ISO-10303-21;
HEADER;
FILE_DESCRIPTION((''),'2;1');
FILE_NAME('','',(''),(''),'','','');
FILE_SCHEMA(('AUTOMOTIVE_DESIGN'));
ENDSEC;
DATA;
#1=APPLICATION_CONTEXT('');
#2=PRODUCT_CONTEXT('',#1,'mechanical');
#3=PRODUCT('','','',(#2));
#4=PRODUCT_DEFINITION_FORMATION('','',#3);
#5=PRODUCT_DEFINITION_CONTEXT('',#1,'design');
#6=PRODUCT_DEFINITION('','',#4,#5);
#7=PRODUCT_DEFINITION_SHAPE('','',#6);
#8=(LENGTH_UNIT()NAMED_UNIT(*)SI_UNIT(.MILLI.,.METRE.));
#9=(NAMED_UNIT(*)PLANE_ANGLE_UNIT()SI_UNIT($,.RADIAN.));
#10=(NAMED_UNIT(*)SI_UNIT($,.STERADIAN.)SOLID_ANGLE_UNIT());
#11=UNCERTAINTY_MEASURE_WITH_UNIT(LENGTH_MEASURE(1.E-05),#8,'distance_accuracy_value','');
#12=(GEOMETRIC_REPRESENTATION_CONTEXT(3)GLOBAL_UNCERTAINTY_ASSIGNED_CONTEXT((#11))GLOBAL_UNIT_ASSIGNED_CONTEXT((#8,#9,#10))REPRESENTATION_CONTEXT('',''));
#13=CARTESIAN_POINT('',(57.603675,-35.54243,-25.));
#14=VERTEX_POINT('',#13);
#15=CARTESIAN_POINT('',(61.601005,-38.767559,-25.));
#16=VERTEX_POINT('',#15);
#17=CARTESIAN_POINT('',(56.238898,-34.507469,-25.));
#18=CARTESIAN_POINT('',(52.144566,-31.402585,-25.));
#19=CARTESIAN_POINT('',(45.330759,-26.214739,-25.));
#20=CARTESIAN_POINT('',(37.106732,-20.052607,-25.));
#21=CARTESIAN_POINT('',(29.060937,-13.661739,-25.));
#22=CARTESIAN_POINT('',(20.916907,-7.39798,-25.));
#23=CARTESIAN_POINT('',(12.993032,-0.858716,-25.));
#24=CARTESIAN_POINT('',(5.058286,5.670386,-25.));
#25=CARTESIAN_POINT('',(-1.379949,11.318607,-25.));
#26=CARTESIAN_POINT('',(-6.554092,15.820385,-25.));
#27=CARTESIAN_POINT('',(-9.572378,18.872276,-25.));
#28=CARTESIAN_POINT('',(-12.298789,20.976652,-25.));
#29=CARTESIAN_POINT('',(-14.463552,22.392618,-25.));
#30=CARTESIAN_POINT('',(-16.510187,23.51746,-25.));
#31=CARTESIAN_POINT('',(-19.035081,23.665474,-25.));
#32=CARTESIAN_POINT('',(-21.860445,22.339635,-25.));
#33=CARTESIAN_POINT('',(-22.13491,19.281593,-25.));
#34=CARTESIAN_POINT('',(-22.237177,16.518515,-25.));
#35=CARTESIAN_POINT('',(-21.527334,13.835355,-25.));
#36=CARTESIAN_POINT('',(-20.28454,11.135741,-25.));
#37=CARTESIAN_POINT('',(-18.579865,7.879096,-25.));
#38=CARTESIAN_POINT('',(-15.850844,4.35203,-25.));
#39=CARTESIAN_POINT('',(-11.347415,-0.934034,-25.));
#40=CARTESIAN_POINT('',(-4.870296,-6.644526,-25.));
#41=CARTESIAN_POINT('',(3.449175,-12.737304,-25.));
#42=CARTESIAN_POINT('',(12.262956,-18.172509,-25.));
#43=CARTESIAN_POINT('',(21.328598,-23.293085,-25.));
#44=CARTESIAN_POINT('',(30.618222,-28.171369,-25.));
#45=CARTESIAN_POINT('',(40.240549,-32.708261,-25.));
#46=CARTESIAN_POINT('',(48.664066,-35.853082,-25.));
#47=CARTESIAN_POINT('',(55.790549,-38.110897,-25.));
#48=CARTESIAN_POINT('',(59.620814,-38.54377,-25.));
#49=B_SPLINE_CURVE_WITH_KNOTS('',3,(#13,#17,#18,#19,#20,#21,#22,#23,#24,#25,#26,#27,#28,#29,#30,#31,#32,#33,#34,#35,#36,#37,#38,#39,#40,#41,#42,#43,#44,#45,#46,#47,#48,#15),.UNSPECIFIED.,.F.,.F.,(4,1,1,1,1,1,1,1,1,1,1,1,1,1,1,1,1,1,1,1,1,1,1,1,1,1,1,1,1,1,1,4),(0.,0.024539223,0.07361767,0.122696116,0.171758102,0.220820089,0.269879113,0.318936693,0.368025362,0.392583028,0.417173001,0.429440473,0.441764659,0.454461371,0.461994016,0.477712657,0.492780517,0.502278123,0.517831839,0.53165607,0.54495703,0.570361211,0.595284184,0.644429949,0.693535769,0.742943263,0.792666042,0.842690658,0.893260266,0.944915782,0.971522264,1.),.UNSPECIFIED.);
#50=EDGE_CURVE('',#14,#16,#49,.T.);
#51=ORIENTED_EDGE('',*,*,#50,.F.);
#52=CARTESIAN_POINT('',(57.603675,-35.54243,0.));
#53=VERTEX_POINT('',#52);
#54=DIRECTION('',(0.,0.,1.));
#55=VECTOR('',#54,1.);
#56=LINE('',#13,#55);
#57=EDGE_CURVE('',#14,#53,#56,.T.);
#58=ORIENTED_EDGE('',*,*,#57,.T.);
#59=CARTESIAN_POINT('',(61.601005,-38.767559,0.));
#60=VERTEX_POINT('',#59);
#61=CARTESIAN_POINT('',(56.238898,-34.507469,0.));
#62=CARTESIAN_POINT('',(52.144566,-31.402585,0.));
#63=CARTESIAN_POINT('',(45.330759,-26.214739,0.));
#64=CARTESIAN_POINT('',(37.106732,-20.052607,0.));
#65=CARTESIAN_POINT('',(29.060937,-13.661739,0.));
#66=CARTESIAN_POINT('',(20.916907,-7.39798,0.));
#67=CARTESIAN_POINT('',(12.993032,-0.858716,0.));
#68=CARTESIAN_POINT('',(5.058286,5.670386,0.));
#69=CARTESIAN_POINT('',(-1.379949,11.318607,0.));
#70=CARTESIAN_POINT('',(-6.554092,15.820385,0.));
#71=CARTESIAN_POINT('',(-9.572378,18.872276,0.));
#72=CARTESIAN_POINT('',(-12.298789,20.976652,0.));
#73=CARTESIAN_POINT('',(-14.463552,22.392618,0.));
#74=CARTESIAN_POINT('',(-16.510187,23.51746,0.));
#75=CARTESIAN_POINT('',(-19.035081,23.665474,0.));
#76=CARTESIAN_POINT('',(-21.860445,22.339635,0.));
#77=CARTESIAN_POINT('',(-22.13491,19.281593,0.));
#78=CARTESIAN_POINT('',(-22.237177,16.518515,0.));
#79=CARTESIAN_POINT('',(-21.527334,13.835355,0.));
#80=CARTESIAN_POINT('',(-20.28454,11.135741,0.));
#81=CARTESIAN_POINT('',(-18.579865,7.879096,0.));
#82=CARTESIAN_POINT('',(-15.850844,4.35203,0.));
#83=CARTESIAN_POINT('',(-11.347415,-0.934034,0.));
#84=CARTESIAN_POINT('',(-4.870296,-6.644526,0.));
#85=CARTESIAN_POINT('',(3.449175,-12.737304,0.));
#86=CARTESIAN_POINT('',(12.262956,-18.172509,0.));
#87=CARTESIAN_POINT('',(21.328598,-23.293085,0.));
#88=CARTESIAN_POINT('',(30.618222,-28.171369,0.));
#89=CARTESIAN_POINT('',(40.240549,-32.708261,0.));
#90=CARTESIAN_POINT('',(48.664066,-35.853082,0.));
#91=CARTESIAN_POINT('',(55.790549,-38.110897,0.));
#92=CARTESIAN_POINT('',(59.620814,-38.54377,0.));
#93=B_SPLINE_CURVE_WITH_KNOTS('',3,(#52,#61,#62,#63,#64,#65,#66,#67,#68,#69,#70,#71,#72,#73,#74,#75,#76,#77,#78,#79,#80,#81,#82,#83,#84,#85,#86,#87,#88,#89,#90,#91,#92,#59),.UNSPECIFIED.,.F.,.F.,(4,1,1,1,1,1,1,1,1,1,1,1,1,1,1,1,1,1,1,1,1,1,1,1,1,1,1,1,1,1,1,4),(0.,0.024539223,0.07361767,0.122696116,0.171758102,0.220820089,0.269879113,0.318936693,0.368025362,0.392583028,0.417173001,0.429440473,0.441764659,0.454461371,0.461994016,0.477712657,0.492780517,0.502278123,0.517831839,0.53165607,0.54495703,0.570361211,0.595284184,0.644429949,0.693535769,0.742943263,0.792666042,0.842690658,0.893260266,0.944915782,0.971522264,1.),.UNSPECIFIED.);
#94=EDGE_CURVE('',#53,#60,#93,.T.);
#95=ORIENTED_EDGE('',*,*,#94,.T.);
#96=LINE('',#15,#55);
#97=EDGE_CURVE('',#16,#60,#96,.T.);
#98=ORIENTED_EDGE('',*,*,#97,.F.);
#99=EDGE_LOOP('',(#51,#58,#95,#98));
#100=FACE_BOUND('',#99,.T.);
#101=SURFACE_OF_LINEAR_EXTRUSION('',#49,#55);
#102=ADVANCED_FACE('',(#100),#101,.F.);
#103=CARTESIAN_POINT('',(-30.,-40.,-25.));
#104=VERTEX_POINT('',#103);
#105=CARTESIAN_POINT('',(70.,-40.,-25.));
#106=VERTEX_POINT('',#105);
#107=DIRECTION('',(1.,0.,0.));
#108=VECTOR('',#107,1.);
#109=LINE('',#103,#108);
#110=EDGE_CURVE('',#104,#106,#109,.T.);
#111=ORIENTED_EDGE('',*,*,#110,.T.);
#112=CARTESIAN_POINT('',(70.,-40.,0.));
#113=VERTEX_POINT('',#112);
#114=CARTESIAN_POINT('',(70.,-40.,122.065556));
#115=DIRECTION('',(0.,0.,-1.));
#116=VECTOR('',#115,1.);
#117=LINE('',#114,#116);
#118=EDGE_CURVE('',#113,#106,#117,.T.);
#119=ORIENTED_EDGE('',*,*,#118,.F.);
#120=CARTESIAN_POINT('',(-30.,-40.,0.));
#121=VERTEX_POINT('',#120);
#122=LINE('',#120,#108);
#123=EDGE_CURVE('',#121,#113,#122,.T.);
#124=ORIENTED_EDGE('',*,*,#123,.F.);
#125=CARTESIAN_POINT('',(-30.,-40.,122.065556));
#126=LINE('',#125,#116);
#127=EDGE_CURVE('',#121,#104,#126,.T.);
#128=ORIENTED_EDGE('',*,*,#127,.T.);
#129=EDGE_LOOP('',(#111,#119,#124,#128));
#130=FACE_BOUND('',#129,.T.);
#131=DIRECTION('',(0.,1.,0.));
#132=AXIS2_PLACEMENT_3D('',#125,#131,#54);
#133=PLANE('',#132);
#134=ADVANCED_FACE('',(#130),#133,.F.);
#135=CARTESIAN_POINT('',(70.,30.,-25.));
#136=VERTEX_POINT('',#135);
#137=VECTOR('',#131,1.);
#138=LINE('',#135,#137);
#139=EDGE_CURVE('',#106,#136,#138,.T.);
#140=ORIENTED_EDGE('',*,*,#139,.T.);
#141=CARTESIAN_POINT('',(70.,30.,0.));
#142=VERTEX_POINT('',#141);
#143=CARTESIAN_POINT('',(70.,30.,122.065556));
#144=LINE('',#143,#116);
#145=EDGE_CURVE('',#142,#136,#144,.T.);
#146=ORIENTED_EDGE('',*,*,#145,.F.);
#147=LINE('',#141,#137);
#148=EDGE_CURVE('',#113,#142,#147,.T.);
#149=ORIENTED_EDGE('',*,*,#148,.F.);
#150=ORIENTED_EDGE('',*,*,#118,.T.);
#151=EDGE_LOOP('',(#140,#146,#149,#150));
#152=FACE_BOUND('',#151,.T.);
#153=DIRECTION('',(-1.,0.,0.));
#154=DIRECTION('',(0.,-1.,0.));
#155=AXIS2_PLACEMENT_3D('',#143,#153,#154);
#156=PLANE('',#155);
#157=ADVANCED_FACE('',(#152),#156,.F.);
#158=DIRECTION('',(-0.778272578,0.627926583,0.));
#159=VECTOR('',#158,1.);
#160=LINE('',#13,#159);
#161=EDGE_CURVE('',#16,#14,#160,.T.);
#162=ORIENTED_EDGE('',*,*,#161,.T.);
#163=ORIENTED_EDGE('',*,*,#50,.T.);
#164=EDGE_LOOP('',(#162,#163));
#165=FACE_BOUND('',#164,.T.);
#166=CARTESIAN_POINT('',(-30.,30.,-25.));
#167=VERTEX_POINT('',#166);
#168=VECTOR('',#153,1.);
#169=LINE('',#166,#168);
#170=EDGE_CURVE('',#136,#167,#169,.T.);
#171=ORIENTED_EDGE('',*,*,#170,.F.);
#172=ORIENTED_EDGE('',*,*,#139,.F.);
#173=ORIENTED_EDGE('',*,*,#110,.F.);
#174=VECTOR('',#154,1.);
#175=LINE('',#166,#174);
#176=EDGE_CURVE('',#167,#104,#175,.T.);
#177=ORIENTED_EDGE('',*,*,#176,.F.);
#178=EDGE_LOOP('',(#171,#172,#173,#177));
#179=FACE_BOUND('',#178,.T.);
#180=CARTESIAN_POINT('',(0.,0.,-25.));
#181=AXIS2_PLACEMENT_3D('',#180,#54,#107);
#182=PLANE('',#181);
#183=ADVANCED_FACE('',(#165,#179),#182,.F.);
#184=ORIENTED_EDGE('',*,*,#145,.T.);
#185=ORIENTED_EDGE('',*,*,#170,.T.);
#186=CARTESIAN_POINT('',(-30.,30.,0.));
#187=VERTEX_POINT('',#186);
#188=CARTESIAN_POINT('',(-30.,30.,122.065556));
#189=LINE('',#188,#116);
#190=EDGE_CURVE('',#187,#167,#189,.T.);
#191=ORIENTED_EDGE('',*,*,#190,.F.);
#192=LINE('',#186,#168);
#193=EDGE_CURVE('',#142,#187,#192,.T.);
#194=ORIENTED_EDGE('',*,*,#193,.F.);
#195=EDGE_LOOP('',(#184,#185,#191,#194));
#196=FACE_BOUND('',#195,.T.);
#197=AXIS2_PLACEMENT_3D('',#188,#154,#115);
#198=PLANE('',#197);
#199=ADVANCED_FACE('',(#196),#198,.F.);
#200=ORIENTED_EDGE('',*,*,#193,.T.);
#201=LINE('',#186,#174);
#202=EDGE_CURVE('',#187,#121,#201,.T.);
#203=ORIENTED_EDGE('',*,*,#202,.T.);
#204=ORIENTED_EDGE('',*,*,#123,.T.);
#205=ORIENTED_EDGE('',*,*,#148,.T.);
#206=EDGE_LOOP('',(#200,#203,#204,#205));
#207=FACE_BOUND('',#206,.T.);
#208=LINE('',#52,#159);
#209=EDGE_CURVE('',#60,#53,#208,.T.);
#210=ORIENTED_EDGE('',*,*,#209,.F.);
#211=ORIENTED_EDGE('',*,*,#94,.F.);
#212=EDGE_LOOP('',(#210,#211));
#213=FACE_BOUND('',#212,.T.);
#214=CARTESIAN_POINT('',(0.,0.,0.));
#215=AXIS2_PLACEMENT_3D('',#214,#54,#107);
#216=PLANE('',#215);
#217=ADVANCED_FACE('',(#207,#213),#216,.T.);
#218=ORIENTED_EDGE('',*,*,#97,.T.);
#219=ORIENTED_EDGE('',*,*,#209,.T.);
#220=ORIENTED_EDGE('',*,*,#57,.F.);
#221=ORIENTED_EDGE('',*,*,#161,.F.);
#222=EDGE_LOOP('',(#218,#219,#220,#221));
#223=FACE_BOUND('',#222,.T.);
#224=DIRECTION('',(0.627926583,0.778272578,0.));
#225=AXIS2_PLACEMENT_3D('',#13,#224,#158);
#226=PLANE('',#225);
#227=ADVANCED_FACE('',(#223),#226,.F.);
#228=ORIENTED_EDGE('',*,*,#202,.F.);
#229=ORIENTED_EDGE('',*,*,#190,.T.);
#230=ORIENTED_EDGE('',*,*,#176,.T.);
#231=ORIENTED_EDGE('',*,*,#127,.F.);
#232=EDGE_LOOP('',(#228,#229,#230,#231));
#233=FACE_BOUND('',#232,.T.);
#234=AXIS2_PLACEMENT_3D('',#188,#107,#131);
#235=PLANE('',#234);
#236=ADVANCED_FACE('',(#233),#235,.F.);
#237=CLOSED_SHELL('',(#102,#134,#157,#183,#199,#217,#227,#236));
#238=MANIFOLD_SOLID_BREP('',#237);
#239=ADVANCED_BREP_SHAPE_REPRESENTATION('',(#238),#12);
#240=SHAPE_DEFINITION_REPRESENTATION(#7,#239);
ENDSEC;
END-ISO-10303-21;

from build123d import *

# Parameters (mm, degrees)
SKICA3_W                 = 100
SKICA3_H                 = 70
P_IDAT_VYSUNUT_M1_DEPTH  = 25
ODEBRAT_VYSUNUT_M1_DEPTH = 85.409715081


with BuildPart() as part:
    # Skica3 → Přidat vysunutím1 (new body)
    with BuildSketch(Plane.XY.offset(-25)):
        with Locations((20, -5)):
            Rectangle(SKICA3_W, SKICA3_H)
    extrude(amount=P_IDAT_VYSUNUT_M1_DEPTH)

    # Skica1 → Odebrat vysunutím1 (cut, through all)
    with BuildSketch(Plane.XY):
        with BuildLine():
            Line((57.603675006, -35.542429999), (61.601004522, -38.767559005))
            add(Edge.make_bspline(
                [(57.603675006, -35.542429999), (56.238897792, -34.507468829), (52.144566151, -31.40258532), (45.330758501, -26.214738829), (37.106732423, -20.052607104), (29.060936616, -13.661738815), (20.916906734, -7.397980405), (12.993032352, -0.858716209), (5.05828581, 5.670386092), (-1.379948759, 11.318607109), (-6.554091766, 15.8203852), (-9.572378051, 18.8722758), (-12.298789196, 20.976651583), (-14.463551955, 22.392617727), (-16.510186542, 23.517460462), (-19.035080799, 23.66547359), (-21.8604449, 22.339635175), (-22.134910017, 19.281593231), (-22.237177343, 16.518515343), (-21.527333861, 13.835354833), (-20.284539721, 11.135740761), (-18.579865178, 7.879095762), (-15.850843977, 4.352029846), (-11.347414771, -0.934034013), (-4.870295535, -6.644525997), (3.449175116, -12.737304019), (12.262955505, -18.1725092), (21.328598188, -23.293085236), (30.618221962, -28.171368997), (40.240549073, -32.708260626), (48.664065782, -35.853082064), (55.790549096, -38.110896555), (59.620813711, -38.543769843), (61.601004522, -38.767559005)],
                knots=[0, 0, 0, 0, 0.024539223, 0.07361767, 0.122696116, 0.171758102, 0.220820089, 0.269879113, 0.318936693, 0.368025362, 0.392583028, 0.417173001, 0.429440473, 0.441764659, 0.454461371, 0.461994016, 0.477712657, 0.492780517, 0.502278123, 0.517831839, 0.53165607, 0.54495703, 0.570361211, 0.595284184, 0.644429949, 0.693535769, 0.742943263, 0.792666042, 0.842690658, 0.893260266, 0.944915782, 0.971522264, 1, 1, 1, 1], degree=3))
        make_face()
    extrude(amount=-ODEBRAT_VYSUNUT_M1_DEPTH, mode=Mode.SUBTRACT)


solid = part.part
